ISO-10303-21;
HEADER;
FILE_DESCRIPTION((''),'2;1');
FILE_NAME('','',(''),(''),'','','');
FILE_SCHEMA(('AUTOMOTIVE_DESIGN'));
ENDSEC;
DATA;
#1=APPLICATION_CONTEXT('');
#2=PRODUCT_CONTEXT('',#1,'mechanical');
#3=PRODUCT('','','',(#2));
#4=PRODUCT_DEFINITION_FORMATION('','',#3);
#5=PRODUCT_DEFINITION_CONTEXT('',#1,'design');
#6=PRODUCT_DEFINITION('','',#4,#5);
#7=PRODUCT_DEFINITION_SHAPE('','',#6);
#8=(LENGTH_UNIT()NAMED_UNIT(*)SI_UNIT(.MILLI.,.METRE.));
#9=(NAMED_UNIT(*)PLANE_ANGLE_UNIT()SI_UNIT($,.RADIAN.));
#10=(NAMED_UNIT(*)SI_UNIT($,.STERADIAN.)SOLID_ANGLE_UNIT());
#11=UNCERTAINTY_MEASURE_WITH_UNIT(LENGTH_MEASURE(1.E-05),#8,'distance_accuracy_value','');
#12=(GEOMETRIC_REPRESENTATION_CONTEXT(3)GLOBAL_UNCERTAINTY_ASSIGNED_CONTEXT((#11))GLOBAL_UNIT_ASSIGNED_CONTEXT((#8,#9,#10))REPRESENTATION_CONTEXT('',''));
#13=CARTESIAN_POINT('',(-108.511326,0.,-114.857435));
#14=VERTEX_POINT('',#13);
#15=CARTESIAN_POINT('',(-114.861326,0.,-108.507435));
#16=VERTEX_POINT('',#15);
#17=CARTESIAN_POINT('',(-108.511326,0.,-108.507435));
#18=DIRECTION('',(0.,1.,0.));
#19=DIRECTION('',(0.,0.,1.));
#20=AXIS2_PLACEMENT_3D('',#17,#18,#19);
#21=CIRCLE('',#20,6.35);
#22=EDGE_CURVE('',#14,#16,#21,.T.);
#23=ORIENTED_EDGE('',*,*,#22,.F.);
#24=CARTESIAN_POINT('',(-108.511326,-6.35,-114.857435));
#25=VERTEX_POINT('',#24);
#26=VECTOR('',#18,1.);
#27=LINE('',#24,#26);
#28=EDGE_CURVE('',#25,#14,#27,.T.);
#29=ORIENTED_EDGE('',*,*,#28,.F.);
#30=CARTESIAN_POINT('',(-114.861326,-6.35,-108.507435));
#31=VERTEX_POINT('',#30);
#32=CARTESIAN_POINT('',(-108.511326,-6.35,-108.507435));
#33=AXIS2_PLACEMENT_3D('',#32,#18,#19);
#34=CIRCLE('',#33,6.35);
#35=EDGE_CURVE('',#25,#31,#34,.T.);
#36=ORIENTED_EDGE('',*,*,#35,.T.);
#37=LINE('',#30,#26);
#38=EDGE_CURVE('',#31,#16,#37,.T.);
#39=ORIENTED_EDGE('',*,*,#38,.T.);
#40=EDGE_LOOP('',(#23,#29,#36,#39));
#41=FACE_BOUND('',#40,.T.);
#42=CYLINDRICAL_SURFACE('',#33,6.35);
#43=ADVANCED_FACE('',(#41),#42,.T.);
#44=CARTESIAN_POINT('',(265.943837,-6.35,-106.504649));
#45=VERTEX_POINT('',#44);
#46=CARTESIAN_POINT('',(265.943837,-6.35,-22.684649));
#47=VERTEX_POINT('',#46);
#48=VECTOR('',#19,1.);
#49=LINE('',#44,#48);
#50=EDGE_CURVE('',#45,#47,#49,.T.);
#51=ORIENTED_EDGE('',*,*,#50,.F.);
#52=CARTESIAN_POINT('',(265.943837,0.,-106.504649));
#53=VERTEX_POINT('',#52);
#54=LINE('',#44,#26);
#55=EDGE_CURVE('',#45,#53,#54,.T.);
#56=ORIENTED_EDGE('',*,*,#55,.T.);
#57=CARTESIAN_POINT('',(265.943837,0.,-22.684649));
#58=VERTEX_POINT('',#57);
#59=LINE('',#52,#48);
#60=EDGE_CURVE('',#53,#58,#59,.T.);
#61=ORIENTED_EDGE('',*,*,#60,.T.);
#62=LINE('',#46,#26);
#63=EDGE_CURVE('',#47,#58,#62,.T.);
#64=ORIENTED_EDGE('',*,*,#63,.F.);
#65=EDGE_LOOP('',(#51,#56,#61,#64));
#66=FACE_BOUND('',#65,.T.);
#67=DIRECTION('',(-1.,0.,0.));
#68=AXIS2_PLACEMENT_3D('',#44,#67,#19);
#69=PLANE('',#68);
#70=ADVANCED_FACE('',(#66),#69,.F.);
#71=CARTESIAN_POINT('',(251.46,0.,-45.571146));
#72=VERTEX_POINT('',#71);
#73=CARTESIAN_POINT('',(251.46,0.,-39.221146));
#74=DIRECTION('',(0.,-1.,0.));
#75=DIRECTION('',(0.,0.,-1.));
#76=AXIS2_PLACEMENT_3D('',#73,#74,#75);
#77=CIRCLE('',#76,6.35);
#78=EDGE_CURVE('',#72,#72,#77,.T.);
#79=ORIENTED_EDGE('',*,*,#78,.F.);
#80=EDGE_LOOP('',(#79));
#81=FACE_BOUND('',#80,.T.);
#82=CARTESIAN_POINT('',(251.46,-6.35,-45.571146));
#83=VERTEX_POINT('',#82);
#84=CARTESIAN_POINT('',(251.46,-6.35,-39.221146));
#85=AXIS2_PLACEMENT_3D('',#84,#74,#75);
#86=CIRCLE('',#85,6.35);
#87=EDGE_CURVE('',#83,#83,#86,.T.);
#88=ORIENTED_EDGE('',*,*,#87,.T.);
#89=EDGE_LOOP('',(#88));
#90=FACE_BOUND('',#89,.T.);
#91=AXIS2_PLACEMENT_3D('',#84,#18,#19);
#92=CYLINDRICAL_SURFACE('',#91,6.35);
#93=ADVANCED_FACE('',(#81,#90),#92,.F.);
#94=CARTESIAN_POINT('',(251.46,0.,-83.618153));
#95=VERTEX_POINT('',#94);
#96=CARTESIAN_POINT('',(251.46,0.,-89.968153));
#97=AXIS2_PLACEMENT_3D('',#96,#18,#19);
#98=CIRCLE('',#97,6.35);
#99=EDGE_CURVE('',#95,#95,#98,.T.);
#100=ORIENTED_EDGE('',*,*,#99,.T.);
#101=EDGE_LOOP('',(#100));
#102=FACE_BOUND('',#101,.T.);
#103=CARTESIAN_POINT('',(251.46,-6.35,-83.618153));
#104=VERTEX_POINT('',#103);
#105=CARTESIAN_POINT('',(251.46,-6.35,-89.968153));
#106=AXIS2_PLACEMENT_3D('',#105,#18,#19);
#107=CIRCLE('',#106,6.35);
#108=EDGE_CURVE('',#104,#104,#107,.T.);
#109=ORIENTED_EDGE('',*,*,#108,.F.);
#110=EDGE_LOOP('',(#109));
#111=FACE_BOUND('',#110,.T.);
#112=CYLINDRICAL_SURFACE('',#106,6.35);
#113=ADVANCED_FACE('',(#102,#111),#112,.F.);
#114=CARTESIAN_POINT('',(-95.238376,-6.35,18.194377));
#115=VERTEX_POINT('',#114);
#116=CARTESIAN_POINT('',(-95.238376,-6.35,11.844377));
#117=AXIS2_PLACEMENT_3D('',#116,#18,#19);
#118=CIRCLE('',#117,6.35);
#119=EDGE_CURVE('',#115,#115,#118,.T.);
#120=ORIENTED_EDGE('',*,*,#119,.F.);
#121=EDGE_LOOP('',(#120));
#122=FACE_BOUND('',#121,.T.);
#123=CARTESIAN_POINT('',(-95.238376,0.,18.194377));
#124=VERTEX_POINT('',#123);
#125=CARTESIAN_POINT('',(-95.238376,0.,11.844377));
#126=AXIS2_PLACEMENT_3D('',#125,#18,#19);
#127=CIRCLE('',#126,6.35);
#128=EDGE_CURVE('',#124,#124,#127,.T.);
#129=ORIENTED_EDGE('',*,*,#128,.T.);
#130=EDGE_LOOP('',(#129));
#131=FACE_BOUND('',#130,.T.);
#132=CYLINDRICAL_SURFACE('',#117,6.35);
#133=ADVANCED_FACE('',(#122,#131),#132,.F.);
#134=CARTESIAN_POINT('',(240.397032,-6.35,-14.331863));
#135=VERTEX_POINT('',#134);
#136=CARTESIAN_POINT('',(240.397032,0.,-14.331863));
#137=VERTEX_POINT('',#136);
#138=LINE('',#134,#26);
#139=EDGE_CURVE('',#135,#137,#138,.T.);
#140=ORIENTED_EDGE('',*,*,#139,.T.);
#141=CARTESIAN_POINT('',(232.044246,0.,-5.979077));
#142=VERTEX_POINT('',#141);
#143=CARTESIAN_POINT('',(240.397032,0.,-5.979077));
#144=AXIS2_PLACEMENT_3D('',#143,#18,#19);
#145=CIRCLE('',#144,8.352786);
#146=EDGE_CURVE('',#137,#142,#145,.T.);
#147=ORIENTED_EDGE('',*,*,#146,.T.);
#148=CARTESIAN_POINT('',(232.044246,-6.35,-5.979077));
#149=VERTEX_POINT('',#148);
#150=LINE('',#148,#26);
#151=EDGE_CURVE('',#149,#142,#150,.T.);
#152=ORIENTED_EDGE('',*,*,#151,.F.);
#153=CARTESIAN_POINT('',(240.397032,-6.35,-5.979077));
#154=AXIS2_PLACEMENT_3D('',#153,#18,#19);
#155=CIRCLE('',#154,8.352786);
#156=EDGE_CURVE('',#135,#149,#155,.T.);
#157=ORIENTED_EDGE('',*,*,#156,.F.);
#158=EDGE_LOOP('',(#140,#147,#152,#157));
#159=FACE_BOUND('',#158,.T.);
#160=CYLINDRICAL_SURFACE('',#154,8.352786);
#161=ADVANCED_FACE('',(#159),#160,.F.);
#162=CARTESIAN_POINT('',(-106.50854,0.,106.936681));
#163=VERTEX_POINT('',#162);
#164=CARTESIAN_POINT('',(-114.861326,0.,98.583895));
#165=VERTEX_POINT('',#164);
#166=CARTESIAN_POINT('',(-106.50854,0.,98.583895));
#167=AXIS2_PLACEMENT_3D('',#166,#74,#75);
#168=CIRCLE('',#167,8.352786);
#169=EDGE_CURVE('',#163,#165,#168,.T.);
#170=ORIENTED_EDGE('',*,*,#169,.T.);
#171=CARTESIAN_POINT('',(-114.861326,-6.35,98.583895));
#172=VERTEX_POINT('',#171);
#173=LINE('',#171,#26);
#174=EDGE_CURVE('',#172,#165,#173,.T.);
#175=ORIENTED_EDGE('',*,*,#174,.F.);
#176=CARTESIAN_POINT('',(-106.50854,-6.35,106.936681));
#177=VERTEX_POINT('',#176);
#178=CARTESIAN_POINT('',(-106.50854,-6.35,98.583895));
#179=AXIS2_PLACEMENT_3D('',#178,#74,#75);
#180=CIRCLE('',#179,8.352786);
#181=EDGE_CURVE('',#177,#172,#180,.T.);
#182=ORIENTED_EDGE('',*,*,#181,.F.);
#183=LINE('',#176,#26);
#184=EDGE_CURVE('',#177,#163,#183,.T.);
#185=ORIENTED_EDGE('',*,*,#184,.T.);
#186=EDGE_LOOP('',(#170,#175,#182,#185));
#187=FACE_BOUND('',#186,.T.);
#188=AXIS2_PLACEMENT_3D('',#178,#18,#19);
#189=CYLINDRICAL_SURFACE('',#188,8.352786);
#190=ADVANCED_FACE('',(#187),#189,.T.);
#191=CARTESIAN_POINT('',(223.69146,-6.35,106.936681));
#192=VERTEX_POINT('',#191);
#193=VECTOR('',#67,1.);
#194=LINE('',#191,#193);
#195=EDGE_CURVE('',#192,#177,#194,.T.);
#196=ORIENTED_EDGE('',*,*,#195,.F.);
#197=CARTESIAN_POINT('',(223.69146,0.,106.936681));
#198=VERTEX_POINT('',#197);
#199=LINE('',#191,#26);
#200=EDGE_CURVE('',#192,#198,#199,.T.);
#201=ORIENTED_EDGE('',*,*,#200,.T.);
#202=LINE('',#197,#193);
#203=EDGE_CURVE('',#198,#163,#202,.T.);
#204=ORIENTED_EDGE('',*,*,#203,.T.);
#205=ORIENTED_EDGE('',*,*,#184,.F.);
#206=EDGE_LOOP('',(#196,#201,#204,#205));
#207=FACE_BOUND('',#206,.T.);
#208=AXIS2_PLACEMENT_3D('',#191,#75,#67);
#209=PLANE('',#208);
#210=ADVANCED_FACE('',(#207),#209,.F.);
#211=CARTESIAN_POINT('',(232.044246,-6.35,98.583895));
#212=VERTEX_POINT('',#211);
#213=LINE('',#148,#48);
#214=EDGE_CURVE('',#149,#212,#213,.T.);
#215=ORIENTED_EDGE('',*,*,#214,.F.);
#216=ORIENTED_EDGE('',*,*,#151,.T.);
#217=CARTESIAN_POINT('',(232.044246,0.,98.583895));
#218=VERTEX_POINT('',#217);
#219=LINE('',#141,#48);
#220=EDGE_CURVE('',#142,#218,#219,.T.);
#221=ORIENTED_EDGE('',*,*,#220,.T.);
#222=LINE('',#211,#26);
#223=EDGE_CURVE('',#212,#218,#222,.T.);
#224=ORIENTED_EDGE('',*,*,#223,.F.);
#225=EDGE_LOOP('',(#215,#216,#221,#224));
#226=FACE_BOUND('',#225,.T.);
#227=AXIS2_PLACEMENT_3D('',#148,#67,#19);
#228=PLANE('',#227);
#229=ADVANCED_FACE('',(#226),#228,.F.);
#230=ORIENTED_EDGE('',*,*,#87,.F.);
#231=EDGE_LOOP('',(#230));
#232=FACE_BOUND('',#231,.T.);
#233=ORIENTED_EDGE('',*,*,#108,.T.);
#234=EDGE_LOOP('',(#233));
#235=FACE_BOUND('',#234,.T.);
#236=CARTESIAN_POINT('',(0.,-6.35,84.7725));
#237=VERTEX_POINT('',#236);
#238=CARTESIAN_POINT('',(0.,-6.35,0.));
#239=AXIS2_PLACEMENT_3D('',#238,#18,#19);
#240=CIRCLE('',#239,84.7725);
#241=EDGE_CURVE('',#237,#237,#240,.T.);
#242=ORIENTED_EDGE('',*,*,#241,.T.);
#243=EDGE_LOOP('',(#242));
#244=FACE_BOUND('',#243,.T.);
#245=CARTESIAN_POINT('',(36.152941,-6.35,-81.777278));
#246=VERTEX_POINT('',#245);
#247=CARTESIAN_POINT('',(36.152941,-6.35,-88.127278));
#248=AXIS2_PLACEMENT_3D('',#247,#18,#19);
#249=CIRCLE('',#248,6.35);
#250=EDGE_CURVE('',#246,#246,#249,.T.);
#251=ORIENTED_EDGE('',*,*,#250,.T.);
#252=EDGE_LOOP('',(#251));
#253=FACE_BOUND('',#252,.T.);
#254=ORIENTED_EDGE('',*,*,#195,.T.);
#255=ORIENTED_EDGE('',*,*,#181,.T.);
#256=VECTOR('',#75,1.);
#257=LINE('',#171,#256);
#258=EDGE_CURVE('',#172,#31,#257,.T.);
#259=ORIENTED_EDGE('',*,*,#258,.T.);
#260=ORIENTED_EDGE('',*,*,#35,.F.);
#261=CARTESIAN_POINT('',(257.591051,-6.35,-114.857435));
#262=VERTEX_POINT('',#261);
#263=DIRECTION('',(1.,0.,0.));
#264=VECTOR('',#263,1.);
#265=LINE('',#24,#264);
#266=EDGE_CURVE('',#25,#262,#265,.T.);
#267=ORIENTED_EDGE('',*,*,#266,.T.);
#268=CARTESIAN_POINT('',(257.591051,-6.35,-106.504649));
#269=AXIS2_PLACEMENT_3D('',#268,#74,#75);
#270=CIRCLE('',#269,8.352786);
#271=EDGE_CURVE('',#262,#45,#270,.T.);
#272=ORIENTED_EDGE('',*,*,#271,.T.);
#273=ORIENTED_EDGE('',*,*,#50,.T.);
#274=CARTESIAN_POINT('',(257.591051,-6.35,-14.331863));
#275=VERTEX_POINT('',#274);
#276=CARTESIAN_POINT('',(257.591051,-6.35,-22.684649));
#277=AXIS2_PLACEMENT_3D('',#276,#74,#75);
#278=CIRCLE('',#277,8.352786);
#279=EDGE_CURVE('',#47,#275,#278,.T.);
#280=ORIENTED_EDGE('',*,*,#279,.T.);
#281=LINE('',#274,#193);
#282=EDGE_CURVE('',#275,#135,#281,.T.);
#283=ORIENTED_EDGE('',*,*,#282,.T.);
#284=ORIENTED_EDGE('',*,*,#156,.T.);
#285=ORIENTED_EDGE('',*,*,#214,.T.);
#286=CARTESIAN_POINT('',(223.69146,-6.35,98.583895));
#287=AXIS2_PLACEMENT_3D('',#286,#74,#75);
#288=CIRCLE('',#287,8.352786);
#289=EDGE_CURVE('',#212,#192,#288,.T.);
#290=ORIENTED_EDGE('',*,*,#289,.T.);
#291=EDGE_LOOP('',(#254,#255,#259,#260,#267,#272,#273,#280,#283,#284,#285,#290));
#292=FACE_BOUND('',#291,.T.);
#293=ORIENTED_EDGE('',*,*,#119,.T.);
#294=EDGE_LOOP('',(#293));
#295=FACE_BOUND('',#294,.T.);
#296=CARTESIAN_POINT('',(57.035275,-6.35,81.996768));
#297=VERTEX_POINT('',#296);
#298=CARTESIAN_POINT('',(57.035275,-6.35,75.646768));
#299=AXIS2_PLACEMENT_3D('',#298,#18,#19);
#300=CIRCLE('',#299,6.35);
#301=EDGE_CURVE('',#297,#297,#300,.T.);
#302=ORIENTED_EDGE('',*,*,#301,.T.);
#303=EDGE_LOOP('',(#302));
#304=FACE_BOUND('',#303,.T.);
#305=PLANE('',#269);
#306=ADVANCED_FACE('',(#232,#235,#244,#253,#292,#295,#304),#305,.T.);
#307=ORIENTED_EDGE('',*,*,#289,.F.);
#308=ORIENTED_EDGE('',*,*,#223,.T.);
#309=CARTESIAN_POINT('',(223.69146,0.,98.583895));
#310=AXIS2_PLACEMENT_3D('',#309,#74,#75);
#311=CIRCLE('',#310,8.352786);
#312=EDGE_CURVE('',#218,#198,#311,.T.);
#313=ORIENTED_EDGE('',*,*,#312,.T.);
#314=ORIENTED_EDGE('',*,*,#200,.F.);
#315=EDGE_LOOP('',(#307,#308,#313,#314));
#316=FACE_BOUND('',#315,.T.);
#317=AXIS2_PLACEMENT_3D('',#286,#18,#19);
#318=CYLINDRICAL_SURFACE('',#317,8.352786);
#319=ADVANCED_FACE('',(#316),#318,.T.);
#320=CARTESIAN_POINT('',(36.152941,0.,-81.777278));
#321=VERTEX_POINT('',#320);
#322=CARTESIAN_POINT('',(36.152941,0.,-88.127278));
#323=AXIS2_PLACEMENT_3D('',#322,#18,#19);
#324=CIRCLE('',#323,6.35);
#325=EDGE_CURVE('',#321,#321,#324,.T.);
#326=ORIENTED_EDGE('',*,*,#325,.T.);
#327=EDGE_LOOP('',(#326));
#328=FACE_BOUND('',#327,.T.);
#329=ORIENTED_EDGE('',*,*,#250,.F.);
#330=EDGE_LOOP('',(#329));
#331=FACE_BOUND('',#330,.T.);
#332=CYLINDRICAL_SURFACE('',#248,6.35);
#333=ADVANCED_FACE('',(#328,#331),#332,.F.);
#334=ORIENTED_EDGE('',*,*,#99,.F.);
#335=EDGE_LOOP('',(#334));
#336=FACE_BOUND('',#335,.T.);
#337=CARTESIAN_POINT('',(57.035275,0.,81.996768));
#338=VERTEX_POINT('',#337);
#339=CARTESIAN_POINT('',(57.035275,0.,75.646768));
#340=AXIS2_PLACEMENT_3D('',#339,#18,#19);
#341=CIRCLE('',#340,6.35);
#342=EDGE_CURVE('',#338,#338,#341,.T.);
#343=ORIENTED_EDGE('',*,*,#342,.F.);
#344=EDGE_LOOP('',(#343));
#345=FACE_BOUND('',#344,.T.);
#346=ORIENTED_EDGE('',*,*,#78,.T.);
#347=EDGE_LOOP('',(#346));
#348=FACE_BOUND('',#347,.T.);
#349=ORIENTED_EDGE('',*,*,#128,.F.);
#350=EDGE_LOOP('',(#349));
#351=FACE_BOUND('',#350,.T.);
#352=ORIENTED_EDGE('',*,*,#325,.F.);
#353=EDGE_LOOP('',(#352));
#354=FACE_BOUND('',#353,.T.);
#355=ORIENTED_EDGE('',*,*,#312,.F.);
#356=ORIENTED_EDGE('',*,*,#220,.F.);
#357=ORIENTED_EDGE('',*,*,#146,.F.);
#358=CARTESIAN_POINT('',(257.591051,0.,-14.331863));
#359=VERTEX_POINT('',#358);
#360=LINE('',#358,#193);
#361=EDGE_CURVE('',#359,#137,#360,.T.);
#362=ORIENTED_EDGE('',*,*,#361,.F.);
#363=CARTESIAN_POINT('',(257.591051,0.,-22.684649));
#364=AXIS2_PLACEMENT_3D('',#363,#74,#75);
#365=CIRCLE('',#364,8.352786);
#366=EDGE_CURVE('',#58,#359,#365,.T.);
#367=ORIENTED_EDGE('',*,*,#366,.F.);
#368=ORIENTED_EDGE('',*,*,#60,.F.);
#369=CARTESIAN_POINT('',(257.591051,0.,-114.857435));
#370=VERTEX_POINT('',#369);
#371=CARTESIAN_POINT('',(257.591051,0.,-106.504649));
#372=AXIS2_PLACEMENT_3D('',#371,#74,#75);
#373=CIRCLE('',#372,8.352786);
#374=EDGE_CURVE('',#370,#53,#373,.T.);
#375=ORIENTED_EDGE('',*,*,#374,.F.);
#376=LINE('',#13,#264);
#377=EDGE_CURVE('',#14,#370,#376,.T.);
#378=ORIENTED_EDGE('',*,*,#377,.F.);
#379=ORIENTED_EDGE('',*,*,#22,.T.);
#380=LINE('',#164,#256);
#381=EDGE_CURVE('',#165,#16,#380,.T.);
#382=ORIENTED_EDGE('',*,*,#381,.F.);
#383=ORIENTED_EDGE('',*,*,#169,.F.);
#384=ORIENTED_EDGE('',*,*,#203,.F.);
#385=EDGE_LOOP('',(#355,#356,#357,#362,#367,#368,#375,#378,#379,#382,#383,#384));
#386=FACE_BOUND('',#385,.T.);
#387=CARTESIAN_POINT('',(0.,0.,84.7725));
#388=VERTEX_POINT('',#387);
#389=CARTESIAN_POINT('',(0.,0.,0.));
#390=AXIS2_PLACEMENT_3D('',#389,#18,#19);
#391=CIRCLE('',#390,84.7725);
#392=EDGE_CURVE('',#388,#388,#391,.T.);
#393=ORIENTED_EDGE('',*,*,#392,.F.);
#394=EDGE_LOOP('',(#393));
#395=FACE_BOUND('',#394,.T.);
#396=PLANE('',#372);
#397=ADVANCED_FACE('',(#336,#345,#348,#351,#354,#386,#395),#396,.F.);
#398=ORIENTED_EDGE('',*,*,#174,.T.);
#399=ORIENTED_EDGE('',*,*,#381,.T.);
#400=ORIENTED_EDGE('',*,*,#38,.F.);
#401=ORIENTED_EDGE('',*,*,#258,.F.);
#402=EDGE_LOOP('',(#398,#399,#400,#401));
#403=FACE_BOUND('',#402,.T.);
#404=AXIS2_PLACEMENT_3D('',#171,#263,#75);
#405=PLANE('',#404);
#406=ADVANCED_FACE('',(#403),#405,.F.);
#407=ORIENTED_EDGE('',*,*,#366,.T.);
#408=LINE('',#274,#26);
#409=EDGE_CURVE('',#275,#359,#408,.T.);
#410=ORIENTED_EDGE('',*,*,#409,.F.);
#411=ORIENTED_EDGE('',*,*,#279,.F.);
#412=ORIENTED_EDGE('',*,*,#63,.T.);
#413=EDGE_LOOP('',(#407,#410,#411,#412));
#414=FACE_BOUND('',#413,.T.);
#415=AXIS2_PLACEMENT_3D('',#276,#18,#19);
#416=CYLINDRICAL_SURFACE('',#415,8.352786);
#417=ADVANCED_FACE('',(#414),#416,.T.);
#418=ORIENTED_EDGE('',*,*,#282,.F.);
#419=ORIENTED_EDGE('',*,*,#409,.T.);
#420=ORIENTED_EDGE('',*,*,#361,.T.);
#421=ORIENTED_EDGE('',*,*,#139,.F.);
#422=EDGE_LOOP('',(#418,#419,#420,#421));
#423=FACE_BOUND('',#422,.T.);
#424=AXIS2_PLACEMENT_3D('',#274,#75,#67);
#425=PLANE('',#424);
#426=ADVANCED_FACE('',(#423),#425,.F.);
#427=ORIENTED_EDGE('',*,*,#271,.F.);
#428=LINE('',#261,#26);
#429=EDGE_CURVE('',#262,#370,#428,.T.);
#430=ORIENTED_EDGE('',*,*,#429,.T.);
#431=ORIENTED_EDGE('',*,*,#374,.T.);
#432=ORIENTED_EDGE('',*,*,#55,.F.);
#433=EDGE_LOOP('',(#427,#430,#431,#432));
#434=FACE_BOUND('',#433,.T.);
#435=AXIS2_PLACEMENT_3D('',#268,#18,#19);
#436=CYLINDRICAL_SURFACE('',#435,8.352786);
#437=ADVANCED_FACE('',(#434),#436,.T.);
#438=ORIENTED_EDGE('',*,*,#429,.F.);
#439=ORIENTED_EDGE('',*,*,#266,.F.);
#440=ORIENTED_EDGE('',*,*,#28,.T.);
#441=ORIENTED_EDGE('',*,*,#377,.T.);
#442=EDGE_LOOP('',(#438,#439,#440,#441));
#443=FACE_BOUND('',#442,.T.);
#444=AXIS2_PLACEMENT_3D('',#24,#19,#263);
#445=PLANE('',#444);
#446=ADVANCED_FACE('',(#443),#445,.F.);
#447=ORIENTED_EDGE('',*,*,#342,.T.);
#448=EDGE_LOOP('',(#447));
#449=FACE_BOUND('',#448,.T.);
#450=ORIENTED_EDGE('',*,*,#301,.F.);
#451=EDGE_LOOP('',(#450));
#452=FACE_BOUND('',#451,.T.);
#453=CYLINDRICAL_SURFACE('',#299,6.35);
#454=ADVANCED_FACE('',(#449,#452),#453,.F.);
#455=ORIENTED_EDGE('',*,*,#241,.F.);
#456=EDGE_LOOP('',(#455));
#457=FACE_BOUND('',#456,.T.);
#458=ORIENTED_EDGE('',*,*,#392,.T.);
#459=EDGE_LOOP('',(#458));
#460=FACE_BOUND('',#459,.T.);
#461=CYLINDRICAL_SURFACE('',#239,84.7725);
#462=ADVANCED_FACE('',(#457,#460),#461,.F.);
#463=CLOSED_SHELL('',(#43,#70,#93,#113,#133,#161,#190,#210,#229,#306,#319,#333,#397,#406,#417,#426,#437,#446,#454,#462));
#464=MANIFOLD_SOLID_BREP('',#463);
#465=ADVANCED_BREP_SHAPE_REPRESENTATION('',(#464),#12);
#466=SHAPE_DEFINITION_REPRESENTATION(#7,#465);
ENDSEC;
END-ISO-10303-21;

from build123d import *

# Parameters (mm, degrees)
SKETCH5_R           = 84.7725
SKETCH5_R_2         = 6.35
BOSS_EXTRUDE1_DEPTH = 6.35


with BuildPart() as part:
    # Sketch5 → Boss-Extrude1 (new body)
    with BuildSketch(Plane(origin=(0, 0, 0), x_dir=(1, 0, 0), z_dir=(0, 1, 0))):
        with BuildLine():
            Line((-108.51132569, 114.857435108), (257.591051155, 114.857435108))
            ThreePointArc((257.591051155, 114.857435108), (263.497362796, 112.410960723), (265.943837181, 106.504649083))
            Line((265.943837181, 106.504649083), (265.943837181, 22.684649083))
            ThreePointArc((265.943837181, 22.684649083), (263.497362796, 16.778337443), (257.591051155, 14.331863057))
            Line((257.591051155, 14.331863057), (240.397032386, 14.331863057))
            ThreePointArc((240.397032386, 14.331863057), (234.490720746, 11.885388672), (232.044246361, 5.979077032))
            Line((232.044246361, 5.979077032), (232.044246361, -98.583895379))
            ThreePointArc((232.044246361, -98.583895379), (229.597771976, -104.490207019), (223.691460335, -106.936681404))
            Line((223.691460335, -106.936681404), (-106.508539665, -106.936681404))
            ThreePointArc((-106.508539665, -106.936681404), (-112.414851305, -104.490207019), (-114.86132569, -98.583895379))
            Line((-114.86132569, -98.583895379), (-114.86132569, 108.507435108))
            ThreePointArc((-114.86132569, 108.507435108), (-113.001453751, 112.997563169), (-108.51132569, 114.857435108))
        make_face()
        Circle(SKETCH5_R, mode=Mode.SUBTRACT)
        with Locations((251.46, 89.968152547)):
            Circle(SKETCH5_R_2, mode=Mode.SUBTRACT)
        with Locations((251.46, 39.221145619)):
            Circle(SKETCH5_R_2, mode=Mode.SUBTRACT)
        with Locations((-95.238376165, -11.844376537)):
            Circle(SKETCH5_R_2, mode=Mode.SUBTRACT)
        with Locations((57.035275027, -75.64676797)):
            Circle(SKETCH5_R_2, mode=Mode.SUBTRACT)
        with Locations((36.152941234, 88.127278006)):
            Circle(SKETCH5_R_2, mode=Mode.SUBTRACT)
    extrude(amount=-BOSS_EXTRUDE1_DEPTH)


solid = part.part
